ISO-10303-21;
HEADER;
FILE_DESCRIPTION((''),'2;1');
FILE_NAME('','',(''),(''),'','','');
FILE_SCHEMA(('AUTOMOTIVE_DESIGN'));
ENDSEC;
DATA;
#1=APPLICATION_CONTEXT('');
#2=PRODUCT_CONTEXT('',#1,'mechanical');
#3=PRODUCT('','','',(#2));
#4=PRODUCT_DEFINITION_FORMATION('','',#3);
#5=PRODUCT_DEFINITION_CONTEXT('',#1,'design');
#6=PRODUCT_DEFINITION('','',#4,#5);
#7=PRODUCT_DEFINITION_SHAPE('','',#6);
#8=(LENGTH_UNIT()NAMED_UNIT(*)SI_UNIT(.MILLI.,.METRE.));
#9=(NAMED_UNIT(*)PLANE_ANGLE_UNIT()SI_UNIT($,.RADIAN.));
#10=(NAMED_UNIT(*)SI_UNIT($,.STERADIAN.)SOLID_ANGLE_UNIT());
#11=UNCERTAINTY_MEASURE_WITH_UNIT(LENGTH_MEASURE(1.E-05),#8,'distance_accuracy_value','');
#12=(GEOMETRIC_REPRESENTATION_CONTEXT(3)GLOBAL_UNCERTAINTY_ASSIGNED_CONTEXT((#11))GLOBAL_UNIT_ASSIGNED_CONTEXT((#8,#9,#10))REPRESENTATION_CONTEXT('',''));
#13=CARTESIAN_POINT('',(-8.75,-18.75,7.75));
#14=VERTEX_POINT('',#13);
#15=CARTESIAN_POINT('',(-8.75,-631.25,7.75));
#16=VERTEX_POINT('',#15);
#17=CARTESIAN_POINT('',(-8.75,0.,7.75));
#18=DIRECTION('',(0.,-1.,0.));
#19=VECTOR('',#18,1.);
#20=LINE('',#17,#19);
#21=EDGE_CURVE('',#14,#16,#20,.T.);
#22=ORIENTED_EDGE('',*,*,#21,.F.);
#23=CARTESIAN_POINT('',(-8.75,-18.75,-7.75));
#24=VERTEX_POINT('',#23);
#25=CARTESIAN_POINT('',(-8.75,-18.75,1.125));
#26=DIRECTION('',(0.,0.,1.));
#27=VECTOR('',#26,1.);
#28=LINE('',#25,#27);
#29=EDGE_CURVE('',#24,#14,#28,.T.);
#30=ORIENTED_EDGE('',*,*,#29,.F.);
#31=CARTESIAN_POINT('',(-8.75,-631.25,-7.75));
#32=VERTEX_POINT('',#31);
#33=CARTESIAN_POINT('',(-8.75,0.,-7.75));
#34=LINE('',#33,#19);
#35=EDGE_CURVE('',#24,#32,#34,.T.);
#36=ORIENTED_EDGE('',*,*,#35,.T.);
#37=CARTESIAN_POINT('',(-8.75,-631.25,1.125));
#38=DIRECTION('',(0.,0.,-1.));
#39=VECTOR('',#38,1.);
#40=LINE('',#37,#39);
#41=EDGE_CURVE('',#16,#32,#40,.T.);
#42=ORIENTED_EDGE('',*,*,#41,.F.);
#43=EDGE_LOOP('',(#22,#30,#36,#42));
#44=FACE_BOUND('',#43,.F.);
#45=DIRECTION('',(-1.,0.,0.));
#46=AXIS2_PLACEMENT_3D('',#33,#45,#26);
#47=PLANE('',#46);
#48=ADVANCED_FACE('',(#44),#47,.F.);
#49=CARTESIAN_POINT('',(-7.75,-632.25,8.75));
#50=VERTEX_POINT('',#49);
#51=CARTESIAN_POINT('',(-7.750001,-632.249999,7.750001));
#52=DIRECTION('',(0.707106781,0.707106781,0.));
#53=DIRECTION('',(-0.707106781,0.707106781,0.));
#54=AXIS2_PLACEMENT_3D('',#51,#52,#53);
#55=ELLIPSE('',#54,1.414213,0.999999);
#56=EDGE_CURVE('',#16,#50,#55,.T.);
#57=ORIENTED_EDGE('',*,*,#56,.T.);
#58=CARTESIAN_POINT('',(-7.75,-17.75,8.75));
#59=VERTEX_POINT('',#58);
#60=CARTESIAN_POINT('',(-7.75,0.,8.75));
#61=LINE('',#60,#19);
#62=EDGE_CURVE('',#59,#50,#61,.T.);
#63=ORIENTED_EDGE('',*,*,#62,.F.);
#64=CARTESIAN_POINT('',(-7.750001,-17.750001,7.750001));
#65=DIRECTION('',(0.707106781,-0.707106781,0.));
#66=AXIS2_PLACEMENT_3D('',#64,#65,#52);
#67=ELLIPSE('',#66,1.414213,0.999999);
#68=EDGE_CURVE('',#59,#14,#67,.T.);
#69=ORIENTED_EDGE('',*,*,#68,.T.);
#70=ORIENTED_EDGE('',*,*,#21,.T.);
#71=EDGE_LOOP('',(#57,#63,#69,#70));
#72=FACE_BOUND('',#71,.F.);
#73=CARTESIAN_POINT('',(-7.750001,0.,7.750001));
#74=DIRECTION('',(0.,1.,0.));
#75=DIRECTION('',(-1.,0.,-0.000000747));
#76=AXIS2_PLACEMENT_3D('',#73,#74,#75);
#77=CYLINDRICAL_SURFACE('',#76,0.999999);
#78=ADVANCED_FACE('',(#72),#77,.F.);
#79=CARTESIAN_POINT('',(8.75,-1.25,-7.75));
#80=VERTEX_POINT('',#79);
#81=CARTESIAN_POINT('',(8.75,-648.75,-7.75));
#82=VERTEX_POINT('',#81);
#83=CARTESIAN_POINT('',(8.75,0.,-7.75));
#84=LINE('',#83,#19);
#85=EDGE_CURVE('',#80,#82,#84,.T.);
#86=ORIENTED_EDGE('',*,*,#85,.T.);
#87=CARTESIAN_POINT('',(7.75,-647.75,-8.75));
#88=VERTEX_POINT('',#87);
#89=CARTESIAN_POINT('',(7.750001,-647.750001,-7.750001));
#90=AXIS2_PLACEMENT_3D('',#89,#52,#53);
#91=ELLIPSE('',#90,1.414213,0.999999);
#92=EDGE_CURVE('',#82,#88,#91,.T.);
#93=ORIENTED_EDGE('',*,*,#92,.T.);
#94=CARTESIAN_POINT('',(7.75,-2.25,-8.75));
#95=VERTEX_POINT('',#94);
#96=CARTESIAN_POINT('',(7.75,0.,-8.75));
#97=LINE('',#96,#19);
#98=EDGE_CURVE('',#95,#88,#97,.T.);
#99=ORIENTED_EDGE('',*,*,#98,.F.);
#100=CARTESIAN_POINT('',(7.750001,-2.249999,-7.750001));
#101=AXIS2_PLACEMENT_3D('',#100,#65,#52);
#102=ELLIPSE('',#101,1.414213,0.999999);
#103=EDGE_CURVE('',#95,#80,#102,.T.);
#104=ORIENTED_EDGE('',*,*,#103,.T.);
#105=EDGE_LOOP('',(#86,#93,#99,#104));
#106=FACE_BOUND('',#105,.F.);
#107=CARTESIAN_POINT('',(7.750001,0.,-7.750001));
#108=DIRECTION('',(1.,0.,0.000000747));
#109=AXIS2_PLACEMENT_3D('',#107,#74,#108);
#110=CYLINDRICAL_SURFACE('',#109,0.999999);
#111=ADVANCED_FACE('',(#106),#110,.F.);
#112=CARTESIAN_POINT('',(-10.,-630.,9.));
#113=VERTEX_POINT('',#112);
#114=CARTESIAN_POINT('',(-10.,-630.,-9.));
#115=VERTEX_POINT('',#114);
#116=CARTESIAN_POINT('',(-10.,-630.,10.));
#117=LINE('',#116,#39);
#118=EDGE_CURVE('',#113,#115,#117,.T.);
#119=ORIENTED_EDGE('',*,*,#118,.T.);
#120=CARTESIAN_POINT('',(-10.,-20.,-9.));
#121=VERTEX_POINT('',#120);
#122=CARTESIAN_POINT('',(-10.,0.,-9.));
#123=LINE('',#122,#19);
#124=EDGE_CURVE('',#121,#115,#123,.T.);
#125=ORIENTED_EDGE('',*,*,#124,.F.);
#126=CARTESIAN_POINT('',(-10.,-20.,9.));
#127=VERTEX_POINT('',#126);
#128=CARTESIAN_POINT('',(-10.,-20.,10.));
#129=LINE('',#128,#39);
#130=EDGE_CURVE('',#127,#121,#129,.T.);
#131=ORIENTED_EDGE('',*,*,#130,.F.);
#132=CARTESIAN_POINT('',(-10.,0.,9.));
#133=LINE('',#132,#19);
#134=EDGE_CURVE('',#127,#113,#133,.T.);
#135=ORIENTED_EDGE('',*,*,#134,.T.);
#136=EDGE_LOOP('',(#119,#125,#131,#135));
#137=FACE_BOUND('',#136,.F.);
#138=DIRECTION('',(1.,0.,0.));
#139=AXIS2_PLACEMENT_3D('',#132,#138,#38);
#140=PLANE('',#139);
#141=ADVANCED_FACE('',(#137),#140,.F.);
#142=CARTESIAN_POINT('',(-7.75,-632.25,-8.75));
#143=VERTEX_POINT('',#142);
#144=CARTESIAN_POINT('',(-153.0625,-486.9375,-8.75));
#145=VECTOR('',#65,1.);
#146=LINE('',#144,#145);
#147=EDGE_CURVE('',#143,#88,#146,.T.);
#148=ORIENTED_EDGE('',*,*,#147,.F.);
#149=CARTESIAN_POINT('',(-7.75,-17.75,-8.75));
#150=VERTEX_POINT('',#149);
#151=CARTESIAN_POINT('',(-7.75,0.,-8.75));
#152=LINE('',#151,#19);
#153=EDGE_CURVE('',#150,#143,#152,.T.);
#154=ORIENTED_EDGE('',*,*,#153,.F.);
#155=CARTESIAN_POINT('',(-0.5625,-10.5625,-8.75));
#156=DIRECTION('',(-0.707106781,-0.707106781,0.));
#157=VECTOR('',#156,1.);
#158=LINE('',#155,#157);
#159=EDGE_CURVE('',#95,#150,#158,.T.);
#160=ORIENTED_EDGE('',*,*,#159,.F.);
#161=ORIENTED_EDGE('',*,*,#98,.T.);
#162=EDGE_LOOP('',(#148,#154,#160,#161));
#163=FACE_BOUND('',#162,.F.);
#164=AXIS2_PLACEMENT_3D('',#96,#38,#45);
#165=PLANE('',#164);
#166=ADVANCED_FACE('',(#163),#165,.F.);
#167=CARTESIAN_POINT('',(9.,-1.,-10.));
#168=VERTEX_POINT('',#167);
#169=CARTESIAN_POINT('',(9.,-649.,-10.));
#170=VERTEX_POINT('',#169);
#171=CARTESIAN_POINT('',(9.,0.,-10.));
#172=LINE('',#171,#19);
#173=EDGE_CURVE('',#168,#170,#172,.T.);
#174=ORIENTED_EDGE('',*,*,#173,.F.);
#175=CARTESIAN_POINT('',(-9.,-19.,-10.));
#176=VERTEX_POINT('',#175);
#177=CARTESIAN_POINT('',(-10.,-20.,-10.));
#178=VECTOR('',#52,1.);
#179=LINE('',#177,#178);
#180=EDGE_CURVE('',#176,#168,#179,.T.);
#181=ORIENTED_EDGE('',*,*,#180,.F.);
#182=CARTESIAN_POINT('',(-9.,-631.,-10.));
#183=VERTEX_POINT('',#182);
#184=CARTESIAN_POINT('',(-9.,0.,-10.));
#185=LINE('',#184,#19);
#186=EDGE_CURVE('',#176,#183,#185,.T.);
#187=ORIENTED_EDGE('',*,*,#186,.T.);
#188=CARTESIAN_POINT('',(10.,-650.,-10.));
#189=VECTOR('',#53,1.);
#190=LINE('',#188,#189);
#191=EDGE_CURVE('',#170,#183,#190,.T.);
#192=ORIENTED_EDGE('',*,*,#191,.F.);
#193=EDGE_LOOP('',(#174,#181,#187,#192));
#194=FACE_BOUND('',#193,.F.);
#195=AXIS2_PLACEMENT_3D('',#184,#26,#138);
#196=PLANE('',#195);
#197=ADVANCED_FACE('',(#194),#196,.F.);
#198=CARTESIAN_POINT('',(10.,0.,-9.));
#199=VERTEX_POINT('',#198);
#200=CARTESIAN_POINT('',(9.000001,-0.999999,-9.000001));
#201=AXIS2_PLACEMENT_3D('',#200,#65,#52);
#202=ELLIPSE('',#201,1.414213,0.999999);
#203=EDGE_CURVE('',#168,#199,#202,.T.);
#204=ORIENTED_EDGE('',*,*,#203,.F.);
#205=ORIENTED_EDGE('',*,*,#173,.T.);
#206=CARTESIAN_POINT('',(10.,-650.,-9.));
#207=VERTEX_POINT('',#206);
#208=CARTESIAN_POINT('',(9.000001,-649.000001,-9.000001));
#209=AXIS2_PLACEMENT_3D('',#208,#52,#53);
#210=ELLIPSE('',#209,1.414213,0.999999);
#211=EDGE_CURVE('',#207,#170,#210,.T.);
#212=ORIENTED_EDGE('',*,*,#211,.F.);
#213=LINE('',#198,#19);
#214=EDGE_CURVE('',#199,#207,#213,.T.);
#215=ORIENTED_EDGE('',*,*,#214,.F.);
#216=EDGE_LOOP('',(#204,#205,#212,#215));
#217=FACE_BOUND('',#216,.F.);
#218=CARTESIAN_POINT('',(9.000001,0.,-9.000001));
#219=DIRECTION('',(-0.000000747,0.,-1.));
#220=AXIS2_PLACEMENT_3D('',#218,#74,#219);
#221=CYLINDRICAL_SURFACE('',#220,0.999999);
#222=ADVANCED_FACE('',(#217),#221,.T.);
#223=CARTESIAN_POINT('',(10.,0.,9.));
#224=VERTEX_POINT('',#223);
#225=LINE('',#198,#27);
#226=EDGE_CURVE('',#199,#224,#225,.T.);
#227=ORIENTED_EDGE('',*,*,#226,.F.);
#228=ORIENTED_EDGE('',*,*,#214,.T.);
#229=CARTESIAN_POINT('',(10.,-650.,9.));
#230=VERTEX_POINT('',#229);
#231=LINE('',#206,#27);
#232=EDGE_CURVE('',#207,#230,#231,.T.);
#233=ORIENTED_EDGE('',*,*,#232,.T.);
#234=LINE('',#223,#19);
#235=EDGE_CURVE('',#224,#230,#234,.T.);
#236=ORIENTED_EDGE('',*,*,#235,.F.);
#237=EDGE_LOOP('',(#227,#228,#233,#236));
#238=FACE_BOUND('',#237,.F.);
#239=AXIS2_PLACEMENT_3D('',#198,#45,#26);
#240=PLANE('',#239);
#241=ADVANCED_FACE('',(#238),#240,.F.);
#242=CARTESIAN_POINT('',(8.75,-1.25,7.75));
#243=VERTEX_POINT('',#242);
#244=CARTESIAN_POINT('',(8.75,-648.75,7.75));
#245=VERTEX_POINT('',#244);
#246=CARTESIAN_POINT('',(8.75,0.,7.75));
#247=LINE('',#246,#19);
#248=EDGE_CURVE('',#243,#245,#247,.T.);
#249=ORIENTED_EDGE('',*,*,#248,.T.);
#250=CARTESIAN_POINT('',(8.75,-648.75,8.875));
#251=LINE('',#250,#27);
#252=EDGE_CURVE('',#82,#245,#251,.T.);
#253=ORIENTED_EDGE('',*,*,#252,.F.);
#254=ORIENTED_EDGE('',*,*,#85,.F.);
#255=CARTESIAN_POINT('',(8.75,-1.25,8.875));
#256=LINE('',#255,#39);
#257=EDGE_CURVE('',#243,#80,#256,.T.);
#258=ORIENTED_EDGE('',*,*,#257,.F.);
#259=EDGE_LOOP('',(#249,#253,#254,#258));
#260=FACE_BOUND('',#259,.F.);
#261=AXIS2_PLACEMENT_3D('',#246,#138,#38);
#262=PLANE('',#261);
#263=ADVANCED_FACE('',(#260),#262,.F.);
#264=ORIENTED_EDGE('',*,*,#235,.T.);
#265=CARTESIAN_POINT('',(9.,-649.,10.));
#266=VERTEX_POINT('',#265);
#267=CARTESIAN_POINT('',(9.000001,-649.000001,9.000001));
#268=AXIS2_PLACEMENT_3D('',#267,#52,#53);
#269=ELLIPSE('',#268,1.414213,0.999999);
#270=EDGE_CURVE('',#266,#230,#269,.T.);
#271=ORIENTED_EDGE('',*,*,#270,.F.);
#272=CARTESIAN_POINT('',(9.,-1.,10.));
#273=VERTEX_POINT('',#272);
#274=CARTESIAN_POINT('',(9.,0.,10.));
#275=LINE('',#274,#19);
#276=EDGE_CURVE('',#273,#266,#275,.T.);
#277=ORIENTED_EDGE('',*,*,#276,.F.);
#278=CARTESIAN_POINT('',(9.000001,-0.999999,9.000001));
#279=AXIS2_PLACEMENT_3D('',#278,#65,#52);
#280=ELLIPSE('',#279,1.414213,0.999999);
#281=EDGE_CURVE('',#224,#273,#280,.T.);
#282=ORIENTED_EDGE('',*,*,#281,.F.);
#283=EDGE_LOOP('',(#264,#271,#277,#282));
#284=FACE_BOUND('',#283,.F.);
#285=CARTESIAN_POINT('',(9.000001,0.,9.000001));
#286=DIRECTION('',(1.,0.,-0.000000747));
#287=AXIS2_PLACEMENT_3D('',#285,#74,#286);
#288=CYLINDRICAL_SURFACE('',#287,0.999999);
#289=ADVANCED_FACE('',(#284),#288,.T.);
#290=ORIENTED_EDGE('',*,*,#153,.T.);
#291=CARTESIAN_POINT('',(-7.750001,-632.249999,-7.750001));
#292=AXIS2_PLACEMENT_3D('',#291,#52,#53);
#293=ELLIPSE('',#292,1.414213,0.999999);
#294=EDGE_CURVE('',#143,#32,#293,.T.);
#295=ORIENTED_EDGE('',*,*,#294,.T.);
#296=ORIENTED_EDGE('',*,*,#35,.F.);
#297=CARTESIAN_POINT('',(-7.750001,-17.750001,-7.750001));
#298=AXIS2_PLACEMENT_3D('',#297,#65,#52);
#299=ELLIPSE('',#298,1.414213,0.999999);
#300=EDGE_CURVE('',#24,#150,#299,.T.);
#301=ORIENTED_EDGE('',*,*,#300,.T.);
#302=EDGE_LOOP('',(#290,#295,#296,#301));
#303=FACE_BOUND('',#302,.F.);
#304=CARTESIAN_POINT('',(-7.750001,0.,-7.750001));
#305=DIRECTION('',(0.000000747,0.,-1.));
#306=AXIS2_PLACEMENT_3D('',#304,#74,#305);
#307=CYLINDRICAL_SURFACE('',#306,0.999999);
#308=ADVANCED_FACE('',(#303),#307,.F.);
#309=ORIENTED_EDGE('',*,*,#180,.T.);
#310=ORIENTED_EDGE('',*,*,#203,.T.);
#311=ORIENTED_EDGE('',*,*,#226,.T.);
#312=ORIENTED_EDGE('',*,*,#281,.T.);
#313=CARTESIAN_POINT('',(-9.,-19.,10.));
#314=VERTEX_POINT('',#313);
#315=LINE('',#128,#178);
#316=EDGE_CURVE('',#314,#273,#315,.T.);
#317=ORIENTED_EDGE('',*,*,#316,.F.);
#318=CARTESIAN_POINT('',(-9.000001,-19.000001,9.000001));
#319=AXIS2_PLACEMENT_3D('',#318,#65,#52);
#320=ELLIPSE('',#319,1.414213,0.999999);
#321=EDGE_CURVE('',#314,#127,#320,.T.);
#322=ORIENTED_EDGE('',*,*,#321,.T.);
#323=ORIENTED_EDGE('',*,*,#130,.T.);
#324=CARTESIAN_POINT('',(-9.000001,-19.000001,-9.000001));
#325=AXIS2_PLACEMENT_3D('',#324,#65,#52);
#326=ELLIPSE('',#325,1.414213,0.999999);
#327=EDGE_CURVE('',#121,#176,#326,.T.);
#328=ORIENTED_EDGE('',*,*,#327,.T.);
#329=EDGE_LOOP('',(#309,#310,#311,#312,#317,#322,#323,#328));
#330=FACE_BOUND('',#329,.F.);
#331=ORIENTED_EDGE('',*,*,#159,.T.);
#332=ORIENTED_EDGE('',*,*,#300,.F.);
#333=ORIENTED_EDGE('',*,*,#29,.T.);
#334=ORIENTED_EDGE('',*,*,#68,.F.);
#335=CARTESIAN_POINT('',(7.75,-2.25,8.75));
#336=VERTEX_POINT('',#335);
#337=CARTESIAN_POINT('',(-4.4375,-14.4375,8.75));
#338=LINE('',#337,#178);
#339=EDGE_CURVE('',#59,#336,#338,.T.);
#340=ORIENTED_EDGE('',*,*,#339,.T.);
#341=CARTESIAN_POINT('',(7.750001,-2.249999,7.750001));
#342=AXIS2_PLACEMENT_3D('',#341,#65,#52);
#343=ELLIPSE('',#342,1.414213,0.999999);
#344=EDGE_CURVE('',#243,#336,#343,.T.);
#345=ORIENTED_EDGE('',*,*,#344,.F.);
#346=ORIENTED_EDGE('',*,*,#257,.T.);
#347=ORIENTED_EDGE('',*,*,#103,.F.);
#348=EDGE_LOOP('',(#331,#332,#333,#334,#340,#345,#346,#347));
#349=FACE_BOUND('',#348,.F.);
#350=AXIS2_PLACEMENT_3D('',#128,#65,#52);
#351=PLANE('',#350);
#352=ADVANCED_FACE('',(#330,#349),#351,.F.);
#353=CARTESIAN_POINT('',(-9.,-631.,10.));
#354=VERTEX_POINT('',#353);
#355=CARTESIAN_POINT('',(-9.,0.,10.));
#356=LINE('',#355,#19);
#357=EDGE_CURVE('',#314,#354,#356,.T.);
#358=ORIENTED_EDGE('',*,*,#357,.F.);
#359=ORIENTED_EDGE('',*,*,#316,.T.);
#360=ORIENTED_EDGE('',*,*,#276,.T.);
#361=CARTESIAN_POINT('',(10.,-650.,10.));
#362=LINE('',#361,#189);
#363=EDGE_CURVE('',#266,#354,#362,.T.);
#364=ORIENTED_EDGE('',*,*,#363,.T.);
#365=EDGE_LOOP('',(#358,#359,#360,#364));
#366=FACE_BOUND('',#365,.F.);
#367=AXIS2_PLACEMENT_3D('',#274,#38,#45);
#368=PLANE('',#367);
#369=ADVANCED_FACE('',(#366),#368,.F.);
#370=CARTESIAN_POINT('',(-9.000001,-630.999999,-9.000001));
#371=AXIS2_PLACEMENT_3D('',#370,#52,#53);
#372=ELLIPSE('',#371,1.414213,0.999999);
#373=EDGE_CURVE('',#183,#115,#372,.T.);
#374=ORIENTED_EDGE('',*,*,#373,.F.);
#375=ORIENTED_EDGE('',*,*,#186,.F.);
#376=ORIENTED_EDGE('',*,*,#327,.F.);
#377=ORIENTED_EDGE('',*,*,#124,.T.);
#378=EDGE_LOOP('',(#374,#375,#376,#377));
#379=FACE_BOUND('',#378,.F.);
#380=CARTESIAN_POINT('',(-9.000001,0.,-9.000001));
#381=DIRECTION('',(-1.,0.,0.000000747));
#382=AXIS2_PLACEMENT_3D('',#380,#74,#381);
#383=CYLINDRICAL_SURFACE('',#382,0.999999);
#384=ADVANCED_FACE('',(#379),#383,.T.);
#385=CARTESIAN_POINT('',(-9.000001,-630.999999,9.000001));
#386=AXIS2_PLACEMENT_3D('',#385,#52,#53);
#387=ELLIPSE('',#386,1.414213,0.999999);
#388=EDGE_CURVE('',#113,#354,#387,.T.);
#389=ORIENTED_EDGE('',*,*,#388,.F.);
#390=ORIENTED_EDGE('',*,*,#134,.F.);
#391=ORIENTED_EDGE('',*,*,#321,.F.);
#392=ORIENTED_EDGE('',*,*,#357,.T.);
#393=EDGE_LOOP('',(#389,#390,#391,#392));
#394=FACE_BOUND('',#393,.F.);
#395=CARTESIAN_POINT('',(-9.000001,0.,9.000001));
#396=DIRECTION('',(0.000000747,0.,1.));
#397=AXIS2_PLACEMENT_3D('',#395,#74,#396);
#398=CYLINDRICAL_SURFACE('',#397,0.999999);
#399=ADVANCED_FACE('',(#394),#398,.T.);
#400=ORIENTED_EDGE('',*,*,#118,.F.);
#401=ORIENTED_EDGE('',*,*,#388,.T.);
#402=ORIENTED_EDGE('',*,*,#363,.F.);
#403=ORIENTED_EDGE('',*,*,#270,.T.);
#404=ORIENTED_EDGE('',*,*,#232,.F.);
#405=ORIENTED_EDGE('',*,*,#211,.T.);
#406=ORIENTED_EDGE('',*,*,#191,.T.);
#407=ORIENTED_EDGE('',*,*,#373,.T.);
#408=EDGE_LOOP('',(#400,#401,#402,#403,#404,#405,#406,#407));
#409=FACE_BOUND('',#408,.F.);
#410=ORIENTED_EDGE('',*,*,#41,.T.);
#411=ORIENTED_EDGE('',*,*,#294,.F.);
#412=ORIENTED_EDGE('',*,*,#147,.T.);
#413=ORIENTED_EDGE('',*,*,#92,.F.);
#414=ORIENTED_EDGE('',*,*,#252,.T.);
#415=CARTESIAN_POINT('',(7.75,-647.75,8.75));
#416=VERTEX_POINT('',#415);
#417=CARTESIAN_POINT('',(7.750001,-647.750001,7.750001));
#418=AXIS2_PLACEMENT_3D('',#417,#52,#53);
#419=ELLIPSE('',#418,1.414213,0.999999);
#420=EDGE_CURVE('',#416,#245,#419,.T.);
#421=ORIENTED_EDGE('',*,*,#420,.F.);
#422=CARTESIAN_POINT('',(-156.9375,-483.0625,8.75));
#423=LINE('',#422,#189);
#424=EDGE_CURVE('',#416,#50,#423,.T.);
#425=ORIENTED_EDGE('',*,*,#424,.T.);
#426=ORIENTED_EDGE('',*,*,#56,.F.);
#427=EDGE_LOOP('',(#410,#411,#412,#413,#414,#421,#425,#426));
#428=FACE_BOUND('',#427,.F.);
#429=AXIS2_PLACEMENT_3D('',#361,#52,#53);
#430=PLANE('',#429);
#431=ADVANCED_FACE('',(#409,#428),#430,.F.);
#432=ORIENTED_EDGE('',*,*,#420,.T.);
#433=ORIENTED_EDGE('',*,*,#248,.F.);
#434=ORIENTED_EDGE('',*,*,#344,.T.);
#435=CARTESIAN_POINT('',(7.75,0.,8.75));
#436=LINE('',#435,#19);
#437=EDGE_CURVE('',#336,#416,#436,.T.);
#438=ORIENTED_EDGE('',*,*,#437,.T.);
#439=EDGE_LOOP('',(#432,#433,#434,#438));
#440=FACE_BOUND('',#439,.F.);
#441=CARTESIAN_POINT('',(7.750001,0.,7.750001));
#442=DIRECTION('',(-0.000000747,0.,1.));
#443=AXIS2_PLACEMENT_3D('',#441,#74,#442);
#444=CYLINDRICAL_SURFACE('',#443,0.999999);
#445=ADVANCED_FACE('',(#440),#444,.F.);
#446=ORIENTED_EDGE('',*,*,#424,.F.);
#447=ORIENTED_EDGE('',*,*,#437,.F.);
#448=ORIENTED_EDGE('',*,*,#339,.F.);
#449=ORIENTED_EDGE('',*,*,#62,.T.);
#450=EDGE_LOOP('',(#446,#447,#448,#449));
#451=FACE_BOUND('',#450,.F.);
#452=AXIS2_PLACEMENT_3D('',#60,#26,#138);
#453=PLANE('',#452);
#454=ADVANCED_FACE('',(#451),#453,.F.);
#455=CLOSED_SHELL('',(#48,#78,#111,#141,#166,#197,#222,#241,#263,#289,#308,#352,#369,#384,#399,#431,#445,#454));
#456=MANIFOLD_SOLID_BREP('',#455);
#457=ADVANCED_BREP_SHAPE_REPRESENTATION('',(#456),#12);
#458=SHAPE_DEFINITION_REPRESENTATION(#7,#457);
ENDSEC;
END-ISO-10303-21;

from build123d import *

# Parameters (mm, degrees)
F1_DEPTH = 650
F3_DEPTH = 20


with BuildPart() as f1:
    # F0 (on Front) → F1 (new body)
    with BuildSketch(Plane.XZ):
        with BuildLine():
            Line((9, 10), (-9, 10))
            ThreePointArc((-9, 10), (-9.707107, 9.707107), (-10, 9))
            Line((-10, 9), (-10, -9))
            ThreePointArc((-10, -9), (-9.707107, -9.707107), (-9, -10))
            Line((-9, -10), (9, -10))
            ThreePointArc((9, -10), (9.707107, -9.707107), (10, -9))
            Line((10, -9), (10, 9))
            ThreePointArc((10, 9), (9.707107, 9.707107), (9, 10))
        make_face()
        with BuildLine():
            ThreePointArc((-8.75, 7.75), (-8.457107, 8.457107), (-7.75, 8.75))
            Line((-7.75, 8.75), (7.75, 8.75))
            ThreePointArc((7.75, 8.75), (8.457107, 8.457107), (8.75, 7.75))
            Line((8.75, 7.75), (8.75, -7.75))
            ThreePointArc((8.75, -7.75), (8.457107, -8.457107), (7.75, -8.75))
            Line((7.75, -8.75), (-7.75, -8.75))
            ThreePointArc((-7.75, -8.75), (-8.457107, -8.457107), (-8.75, -7.75))
            Line((-8.75, -7.75), (-8.75, 7.75))
        make_face(mode=Mode.SUBTRACT)
    extrude(amount=F1_DEPTH)

    # F2 (on face) → F3 (cut)
    with BuildSketch(Plane.XY.offset(10)):
        Polygon((-9, -650), (9, -650), (9, -649), (-9, -631), align=None)
        Polygon((-10, -650), (-9, -650), (-9, -631), (-10, -630), align=None)
        Polygon((9, -649), (9, -650), (10, -650), align=None)
        Polygon((9, 0), (9, -1), (10, 0), align=None)
        Polygon((-9, -19), (9, -1), (9, 0), (-9, 0), align=None)
        Polygon((-10, -20), (-9, -19), (-9, 0), (-10, 0), align=None)
    extrude(amount=-F3_DEPTH, mode=Mode.SUBTRACT)


solid = f1.part
